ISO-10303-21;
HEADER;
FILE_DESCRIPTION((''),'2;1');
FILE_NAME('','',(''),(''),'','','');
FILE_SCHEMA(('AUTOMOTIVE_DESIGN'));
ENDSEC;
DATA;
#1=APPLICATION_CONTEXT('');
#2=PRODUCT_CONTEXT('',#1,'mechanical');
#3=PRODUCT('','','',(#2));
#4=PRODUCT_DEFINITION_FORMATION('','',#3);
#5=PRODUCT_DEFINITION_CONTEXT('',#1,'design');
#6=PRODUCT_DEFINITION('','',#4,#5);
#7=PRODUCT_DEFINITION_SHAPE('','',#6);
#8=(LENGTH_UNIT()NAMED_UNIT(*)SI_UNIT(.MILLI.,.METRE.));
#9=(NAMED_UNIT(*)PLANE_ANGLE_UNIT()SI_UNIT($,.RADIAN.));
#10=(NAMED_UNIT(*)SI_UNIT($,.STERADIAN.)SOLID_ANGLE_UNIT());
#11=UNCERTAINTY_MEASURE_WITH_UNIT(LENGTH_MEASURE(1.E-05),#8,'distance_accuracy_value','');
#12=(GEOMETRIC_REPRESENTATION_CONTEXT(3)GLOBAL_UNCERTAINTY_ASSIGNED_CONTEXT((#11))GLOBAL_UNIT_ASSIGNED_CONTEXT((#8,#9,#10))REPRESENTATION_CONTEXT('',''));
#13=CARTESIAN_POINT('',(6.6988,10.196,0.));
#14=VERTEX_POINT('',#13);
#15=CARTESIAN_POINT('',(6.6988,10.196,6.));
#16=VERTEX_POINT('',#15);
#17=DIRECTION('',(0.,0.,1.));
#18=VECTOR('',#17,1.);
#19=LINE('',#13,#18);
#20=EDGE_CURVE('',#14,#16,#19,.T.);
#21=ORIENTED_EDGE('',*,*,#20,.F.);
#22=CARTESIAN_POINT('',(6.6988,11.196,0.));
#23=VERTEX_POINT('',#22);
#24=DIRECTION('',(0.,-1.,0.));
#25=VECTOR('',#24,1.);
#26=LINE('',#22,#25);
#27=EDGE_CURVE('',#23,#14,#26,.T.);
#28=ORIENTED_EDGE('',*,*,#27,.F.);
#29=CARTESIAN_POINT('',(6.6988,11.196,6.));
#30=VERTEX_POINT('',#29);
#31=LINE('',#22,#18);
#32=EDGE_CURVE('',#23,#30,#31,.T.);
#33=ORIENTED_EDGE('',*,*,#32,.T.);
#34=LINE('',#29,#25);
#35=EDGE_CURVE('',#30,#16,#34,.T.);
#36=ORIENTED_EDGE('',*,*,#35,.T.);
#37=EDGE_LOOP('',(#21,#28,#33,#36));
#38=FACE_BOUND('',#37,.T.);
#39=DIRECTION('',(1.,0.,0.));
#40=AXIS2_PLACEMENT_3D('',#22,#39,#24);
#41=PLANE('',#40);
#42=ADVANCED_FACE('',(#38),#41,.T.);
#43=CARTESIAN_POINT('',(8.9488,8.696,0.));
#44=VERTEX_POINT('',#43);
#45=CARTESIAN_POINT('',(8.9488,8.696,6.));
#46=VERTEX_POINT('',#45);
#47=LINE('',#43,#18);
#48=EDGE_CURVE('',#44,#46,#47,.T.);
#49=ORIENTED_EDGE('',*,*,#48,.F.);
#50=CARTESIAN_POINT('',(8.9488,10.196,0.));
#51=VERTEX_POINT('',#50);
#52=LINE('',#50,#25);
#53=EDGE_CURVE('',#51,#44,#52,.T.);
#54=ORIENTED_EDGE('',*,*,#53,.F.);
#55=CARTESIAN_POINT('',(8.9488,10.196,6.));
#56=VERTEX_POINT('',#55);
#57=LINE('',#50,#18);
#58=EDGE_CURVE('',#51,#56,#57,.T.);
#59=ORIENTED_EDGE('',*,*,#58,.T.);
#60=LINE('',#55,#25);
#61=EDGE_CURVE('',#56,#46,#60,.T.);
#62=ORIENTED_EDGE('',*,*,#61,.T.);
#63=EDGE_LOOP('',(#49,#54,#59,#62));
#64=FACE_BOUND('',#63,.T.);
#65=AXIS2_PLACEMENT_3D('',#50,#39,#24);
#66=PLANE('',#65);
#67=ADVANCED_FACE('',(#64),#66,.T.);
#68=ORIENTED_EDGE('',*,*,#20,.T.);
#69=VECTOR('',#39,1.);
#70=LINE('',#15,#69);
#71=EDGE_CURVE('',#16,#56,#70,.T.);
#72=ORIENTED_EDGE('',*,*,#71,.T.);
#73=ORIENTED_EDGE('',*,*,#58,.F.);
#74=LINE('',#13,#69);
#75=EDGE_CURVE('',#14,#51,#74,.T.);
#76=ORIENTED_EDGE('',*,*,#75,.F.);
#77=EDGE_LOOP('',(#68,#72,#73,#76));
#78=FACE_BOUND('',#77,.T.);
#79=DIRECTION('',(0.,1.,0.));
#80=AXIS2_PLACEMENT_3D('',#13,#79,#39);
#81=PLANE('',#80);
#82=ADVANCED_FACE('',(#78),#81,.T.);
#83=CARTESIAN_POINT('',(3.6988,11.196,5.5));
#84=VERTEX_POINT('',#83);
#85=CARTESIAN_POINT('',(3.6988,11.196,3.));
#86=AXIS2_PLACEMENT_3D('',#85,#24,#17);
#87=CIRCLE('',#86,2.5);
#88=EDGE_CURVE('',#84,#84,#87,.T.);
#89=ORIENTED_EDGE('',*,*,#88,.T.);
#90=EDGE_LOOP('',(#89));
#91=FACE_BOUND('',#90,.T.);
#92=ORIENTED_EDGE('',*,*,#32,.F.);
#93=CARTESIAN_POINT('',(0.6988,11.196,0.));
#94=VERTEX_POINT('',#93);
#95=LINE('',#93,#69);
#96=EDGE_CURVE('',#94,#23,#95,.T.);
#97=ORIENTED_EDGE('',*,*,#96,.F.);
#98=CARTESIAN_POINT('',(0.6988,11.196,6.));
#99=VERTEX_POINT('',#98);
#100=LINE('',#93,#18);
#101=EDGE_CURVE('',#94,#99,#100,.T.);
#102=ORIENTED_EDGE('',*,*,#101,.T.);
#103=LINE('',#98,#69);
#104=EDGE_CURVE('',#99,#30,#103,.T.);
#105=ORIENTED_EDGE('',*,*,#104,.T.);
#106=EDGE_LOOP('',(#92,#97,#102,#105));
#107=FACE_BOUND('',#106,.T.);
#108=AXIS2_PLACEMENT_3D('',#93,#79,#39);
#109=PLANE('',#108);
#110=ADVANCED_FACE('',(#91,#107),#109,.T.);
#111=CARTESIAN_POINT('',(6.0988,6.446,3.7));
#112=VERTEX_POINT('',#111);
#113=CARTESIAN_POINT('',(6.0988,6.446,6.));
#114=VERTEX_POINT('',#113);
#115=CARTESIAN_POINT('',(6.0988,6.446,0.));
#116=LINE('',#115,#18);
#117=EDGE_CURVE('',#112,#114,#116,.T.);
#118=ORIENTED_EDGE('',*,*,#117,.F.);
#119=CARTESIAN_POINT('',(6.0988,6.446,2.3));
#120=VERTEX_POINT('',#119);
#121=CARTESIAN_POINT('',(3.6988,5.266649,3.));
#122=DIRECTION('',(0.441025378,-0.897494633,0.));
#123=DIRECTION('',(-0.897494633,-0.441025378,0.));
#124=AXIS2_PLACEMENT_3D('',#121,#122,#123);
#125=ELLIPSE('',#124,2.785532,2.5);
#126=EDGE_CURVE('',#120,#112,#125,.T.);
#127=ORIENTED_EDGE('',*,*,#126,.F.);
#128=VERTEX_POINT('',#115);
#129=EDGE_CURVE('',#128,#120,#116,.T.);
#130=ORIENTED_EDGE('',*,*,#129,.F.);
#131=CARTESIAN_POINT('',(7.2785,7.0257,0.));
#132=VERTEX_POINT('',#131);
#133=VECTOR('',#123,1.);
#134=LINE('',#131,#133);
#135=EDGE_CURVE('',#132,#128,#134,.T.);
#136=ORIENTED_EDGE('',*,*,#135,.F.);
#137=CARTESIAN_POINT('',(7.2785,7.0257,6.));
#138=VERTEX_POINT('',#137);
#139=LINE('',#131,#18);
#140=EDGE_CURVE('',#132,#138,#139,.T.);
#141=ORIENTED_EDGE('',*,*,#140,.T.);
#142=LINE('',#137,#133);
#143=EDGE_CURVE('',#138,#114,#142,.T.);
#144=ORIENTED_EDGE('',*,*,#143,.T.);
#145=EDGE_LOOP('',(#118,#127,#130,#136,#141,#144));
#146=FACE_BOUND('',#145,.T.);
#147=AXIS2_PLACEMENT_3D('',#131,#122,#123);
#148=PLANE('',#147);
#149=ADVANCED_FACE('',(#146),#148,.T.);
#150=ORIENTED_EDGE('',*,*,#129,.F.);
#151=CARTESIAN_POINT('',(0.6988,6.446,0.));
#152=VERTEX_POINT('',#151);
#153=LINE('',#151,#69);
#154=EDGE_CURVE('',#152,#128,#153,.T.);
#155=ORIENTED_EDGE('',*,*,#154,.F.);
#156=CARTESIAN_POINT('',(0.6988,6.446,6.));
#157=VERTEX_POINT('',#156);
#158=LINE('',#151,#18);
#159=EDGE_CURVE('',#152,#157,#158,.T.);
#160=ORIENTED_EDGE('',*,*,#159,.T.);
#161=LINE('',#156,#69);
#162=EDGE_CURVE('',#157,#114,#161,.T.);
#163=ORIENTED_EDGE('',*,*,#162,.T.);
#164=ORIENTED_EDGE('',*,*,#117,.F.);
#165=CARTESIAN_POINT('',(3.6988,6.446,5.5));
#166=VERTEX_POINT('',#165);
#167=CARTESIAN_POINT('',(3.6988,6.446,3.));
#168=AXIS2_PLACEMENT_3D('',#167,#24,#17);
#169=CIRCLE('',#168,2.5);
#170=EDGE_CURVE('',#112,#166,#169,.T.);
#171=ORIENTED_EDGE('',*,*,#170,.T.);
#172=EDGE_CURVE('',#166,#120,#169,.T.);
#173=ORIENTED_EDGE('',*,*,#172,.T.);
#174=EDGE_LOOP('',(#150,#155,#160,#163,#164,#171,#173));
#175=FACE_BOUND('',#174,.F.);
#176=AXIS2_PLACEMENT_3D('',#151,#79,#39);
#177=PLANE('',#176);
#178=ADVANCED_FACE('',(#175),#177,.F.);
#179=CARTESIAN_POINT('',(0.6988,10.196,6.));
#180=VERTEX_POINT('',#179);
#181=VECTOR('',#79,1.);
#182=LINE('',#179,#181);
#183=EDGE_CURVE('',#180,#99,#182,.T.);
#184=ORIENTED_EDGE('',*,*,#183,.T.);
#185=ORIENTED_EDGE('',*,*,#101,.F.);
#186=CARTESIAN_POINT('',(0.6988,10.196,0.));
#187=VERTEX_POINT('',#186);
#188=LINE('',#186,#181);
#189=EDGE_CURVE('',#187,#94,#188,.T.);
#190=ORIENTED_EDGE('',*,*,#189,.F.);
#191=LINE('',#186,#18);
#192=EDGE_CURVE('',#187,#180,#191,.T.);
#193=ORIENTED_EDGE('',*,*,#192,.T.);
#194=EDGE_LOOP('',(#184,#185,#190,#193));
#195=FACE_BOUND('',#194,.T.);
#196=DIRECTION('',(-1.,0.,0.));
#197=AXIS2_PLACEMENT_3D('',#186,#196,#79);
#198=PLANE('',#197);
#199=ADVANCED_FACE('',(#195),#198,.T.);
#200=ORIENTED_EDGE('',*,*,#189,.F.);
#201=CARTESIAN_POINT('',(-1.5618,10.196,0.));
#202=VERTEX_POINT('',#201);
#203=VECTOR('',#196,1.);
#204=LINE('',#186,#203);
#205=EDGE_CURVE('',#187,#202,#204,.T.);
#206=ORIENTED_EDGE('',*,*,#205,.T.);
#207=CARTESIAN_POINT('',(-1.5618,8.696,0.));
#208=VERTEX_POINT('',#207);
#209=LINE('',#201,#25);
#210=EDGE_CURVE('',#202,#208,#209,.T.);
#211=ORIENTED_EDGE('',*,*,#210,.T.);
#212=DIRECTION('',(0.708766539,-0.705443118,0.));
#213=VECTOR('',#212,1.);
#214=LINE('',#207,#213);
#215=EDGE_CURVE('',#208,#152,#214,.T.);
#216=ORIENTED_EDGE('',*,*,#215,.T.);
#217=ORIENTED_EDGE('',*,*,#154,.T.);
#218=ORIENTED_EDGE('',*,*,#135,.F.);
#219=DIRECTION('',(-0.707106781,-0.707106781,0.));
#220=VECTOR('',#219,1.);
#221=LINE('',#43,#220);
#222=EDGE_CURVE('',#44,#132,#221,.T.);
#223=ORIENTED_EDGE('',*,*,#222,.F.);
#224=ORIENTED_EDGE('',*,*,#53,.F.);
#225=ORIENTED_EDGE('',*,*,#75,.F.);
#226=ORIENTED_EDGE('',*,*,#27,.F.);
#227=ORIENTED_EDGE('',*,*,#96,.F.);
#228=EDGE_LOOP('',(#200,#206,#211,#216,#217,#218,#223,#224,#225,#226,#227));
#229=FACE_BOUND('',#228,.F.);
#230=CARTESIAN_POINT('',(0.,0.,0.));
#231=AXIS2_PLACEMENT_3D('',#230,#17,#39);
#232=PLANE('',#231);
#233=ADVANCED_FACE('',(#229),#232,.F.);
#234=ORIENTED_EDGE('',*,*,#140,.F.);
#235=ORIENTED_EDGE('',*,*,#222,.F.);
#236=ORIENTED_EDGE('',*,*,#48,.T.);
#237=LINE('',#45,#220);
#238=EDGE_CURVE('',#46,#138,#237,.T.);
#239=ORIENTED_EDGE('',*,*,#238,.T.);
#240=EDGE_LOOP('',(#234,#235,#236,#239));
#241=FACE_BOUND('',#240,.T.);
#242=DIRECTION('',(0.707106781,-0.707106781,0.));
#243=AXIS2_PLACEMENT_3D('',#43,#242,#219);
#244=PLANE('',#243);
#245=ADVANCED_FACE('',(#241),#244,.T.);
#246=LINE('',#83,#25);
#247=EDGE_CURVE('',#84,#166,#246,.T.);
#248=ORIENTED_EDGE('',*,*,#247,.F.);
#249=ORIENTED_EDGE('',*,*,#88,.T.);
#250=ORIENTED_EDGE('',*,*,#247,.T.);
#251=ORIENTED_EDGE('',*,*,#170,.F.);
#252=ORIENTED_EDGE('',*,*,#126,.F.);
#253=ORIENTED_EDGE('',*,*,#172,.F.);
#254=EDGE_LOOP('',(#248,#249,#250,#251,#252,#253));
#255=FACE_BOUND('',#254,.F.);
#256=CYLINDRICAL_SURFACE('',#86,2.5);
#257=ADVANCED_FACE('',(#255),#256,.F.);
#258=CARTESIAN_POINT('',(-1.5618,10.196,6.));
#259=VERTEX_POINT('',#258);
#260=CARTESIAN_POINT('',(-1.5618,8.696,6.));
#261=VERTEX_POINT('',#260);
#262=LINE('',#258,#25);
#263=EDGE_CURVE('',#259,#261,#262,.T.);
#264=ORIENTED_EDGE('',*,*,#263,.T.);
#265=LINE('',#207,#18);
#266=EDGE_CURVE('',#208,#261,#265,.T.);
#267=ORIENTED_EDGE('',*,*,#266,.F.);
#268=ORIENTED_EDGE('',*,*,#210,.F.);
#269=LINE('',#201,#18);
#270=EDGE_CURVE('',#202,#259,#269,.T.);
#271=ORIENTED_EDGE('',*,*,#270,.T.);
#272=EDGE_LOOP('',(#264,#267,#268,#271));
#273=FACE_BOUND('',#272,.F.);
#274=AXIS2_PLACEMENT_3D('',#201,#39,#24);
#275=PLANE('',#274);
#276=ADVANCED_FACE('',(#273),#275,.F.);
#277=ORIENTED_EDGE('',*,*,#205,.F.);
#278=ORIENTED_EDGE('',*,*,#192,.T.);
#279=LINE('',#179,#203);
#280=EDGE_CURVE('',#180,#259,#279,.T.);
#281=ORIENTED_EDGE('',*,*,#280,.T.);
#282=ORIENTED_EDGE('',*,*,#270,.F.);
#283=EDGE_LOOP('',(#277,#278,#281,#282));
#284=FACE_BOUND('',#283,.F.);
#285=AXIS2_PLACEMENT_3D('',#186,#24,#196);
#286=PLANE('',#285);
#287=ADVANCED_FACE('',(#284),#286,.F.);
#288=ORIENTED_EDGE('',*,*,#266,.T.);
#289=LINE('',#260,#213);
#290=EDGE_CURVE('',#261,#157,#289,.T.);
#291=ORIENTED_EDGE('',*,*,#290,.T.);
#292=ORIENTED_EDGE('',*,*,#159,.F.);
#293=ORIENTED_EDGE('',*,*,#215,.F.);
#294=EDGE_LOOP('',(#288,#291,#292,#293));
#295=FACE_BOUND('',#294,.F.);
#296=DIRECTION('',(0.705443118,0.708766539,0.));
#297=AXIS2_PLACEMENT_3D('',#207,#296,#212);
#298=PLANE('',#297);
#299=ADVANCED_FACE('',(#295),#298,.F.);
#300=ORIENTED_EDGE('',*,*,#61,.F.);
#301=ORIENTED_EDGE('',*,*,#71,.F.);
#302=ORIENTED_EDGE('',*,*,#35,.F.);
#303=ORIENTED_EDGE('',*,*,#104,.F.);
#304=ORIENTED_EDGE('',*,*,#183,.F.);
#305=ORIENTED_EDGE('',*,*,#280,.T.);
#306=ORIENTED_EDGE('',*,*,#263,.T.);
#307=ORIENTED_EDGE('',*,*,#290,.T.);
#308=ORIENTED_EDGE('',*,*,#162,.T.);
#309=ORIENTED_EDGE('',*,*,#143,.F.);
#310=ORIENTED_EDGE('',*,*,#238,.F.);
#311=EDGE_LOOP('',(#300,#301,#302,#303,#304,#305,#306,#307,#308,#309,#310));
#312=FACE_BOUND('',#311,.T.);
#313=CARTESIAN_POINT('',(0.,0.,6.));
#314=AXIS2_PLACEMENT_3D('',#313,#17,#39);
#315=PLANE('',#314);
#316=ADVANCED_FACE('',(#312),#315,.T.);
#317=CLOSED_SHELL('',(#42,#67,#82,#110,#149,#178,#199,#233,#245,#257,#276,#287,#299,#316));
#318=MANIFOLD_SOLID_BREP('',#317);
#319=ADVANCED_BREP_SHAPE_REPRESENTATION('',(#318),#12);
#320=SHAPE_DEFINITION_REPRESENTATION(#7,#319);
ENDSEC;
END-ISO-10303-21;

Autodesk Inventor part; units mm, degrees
ref_plane "YZ Plane" through (0, 0, 0) normal (1, 0, 0) x (0, 1, 0)
ref_plane "XZ Plane" through (0, 0, 0) normal (0, 1, 0) x (-1, 0, 0)
ref_plane "XY Plane" through (0, 0, 0) normal (0, 0, 1) x (1, 0, 0)
sketch "Sketch1" plane through (0, 0, 0) normal (0, 0, 1) x (1, 0, 0)
  line L0 (0.6988, 10.196) -> (0.6988, 11.196)
  line L1 (0.6988, 11.196) -> (6.6988, 11.196)
  line L2 (6.6988, 11.196) -> (6.6988, 10.196)
  line L3 (6.6988, 10.196) -> (8.9488, 10.196)
  line L4 (8.9488, 10.196) -> (8.9488, 8.696)
  line L5 (8.9488, 8.696) -> (7.2785, 7.0257)
  line L6 (8.9488, 8.696) -> (11.311, 8.696) construction
  line L7 (7.2785, 7.0257) -> (6.0988, 6.446)
  line L8 (0.6988, 10.196) -> (-1.5618, 10.196)
  line L9 (-1.5618, 10.196) -> (-1.5618, 8.696)
  line L10 (-1.5618, 8.696) -> (0.6988, 6.446)
  line L11 (0.6988, 6.446) -> (6.0988, 6.446)
  point P0 (0, 0)
  point P1 (-6.8565, -7.9644)
  dimension "d0" = 1
  dimension "d1" = 6
  dimension "d2" = 2.25
  dimension "d3" = 1.5
  dimension "d4" = 2.3622
  dimension "d5" = 135
  dimension "d6" = 2.2606
extrude "Extrusion1" add sketch "Sketch1" along normal blind 6
sketch "Sketch5" plane through (0.6988, 11.196, 0) normal (0, 1, 0) x (1, 0, 0)
  line L0 (-2.2606, 0) -> (0, 0) projected
  line L1 (6, 0) -> (6, -6) projected
  line L2 (0, 0) -> (6, 0)
  line L3 (6, 0) -> (6, -6)
  line L4 (6, -6) -> (0, -6)
  line L5 (0, -6) -> (0, 0)
  circle A0 centre (3, -3) radius 2.5
  point P0 (-0.6988, 0)
  dimension "d19" = 5
hole "Hole2" at (3.6988, 11.196, 3) direction (0, -1, 0) diameter 5 end through all
thread "Thread2" size "12-24 UNC" class "2B" standard "ANSI Unified Screw Threads" full length
properties part number "M5 Model"
